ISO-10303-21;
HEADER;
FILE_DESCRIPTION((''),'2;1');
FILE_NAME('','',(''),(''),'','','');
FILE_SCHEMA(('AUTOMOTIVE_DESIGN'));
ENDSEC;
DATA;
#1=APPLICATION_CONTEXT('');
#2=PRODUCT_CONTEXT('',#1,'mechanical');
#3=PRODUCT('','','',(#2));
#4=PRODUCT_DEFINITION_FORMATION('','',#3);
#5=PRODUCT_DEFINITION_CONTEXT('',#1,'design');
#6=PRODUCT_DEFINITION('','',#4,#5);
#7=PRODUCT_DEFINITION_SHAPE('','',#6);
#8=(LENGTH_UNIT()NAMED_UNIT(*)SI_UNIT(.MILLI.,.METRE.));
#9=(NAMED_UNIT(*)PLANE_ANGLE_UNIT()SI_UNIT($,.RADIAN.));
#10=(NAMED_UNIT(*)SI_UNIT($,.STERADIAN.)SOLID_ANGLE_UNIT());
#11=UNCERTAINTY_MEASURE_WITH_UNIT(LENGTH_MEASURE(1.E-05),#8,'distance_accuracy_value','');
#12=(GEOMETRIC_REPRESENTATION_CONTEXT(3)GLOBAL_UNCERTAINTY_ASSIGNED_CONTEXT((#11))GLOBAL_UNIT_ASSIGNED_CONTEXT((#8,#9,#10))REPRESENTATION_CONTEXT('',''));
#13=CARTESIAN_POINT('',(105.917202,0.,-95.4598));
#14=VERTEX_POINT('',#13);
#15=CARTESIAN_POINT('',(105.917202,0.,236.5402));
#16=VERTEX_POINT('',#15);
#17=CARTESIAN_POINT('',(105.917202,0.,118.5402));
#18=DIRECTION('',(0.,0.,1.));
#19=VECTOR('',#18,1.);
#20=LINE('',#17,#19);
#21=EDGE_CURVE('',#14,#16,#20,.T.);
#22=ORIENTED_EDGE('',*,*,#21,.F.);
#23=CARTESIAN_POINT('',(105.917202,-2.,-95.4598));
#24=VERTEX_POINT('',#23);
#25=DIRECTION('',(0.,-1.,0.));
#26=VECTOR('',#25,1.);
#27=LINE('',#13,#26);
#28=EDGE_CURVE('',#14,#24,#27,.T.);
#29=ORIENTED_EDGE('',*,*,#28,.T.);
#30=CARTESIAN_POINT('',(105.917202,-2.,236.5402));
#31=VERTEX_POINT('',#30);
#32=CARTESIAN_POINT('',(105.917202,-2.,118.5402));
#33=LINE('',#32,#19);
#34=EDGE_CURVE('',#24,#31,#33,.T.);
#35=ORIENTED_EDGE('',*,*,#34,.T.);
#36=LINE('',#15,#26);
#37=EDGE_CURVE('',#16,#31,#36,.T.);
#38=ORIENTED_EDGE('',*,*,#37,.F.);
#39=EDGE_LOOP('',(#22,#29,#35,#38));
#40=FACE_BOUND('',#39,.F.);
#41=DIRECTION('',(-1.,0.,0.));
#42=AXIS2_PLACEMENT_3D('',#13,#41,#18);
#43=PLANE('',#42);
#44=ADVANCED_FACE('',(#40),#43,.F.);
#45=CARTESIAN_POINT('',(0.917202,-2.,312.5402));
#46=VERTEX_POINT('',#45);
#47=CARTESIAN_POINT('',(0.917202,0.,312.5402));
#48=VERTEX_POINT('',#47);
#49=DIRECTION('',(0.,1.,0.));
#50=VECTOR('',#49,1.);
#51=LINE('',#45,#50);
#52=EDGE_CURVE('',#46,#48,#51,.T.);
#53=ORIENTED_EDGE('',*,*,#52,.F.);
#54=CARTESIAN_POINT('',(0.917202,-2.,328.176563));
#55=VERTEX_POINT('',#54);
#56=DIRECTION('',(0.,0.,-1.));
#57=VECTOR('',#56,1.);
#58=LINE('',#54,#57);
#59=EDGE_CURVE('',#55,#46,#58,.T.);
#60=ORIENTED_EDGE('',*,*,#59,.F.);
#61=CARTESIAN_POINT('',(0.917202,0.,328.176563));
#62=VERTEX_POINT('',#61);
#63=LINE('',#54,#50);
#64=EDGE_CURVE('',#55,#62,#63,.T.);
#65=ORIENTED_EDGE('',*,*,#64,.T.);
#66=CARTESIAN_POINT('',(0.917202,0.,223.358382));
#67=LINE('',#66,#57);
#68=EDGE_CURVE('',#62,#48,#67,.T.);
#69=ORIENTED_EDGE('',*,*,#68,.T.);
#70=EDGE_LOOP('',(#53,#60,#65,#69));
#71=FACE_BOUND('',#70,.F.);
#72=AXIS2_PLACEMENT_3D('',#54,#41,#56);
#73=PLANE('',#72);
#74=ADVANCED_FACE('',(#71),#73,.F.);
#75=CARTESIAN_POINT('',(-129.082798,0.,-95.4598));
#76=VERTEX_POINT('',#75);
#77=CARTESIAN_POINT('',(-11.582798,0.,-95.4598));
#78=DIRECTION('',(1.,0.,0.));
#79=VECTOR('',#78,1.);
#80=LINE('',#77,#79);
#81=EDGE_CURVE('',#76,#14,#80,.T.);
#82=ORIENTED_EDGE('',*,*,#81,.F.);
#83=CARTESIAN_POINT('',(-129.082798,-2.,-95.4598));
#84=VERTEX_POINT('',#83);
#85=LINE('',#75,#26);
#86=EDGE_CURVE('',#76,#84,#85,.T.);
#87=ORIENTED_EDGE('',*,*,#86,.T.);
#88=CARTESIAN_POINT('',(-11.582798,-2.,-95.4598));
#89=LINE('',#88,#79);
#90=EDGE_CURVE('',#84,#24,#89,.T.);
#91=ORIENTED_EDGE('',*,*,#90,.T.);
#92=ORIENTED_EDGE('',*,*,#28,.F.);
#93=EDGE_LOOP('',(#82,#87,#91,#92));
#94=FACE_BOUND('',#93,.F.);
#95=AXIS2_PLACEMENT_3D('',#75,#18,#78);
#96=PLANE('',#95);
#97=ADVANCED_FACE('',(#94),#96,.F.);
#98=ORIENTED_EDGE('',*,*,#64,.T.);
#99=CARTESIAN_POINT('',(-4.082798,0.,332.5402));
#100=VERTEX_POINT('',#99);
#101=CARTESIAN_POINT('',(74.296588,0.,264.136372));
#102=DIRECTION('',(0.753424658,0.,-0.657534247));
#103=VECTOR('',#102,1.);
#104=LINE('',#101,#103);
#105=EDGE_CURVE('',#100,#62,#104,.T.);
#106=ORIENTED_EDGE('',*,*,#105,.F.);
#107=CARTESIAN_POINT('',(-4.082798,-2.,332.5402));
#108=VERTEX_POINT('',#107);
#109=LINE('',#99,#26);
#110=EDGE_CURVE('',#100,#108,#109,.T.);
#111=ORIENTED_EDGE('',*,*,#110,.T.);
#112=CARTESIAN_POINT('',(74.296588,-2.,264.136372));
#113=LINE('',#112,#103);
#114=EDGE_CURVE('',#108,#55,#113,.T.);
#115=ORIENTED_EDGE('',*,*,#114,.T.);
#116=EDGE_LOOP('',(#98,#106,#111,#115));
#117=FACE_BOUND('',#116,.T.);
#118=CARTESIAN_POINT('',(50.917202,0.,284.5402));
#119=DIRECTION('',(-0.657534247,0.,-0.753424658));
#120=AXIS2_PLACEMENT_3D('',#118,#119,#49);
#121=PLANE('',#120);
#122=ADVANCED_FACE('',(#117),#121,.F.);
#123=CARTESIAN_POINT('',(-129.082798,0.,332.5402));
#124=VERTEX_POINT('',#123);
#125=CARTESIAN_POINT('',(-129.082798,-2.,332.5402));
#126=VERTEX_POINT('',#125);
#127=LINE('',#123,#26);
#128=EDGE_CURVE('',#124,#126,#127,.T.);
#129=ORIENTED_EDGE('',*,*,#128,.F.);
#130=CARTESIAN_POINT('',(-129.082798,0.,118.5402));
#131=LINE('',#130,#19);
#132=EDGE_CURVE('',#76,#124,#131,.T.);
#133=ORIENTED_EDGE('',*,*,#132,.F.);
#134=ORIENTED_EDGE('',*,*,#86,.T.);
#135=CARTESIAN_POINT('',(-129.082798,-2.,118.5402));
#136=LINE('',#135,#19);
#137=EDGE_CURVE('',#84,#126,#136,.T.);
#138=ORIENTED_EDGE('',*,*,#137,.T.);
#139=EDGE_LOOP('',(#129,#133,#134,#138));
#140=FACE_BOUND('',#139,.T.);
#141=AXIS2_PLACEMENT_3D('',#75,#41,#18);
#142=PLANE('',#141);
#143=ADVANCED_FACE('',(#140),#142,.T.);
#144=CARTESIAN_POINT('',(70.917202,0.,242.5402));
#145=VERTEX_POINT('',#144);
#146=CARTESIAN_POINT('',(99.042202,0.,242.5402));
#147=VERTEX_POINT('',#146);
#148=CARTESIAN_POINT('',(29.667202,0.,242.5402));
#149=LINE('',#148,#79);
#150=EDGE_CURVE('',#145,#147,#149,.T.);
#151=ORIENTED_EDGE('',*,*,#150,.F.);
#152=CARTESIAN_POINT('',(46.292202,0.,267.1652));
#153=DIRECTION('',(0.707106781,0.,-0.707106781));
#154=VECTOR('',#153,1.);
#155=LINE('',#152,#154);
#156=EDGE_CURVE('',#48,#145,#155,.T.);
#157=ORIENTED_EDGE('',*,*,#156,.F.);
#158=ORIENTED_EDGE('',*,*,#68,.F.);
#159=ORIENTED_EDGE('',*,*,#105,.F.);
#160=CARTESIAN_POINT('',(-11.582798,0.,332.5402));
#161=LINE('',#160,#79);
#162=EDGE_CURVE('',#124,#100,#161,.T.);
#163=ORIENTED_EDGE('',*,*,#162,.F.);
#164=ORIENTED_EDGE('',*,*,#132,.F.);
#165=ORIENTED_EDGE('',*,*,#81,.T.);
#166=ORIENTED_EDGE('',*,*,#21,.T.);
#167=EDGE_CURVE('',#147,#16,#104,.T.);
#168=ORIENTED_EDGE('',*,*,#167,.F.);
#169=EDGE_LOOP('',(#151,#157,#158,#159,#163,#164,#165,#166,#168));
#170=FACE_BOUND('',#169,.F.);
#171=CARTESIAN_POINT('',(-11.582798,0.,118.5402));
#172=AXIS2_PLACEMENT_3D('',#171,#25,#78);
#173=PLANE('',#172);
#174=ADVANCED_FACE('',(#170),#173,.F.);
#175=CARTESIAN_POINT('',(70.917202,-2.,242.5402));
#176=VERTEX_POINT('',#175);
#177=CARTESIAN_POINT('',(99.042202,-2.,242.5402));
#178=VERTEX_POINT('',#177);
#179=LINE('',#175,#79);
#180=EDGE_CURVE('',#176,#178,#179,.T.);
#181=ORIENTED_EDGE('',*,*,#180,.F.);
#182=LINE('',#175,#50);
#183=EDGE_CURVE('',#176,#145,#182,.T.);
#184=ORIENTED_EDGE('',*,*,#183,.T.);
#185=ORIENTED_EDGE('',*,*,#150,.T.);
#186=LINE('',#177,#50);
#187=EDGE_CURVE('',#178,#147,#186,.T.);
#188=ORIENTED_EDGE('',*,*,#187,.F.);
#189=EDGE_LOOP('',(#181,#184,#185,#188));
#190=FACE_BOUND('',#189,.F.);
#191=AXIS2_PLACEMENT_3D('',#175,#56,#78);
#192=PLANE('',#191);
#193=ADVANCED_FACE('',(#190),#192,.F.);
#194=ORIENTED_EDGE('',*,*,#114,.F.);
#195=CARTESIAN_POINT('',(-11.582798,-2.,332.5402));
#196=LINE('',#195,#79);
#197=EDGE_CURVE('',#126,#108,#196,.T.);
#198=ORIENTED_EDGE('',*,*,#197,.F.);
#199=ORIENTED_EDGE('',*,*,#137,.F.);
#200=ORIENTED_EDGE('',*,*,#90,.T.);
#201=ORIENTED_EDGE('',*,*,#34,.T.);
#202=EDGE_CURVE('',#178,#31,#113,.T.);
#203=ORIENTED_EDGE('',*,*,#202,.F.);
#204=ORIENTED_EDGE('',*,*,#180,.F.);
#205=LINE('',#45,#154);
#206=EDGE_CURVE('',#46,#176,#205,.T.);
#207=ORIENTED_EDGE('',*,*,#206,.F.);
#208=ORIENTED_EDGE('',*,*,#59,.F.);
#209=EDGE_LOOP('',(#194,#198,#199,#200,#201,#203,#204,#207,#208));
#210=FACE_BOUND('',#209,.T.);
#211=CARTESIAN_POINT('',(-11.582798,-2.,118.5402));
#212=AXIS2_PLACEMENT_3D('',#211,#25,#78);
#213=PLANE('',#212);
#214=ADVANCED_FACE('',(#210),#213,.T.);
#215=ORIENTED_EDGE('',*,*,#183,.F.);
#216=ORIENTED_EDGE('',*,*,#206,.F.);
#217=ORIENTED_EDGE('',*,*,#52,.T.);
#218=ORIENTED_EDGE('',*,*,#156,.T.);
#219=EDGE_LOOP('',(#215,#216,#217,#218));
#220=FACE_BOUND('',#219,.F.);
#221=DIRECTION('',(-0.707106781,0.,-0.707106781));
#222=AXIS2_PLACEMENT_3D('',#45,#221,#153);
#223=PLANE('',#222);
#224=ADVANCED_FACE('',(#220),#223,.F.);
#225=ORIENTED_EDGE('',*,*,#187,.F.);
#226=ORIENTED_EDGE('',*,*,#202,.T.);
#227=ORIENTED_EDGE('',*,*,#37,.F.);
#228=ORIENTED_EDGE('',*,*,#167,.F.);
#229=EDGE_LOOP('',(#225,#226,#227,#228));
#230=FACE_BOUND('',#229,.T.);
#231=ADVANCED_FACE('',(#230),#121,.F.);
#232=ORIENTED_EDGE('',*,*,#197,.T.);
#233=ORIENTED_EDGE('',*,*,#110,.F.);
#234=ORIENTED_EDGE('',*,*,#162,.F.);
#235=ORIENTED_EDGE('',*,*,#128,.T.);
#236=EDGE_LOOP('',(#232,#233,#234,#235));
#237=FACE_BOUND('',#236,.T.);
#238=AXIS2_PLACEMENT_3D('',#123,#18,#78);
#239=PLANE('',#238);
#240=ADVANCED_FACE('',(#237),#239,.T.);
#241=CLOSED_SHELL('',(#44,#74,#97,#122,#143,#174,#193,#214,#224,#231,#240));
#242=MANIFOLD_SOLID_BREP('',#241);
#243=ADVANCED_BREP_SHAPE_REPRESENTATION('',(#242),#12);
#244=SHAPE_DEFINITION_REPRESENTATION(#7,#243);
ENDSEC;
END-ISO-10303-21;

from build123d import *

# Parameters (mm, degrees)
F0_W     = 235
F0_H     = 428
F1_DEPTH = 2
F2_SIZE2 = 96
F2_SIZE  = 110
F4_DEPTH = 25


with BuildPart() as f1:
    # F0 (on Front) → F1 (new body)
    with BuildSketch(Plane.XZ):
        with Locations((-11.5827983245, 118.5401997186)):
            Rectangle(F0_W, F0_H)
    extrude(amount=F1_DEPTH)

    # F2
    f2_edges = [f1.edges().sort_by_distance(p)[0] for p in [
        (105.917202, -1, 332.5402),
    ]]
    f2_side = f1.faces().sort_by_distance((-11.582798, -1, 332.5402))[0]
    chamfer(f2_edges, length=F2_SIZE, length2=F2_SIZE2, reference=f2_side)

    # F3 (on face) → F4 (cut)
    with BuildSketch(Plane.XZ.offset(2)):
        Polygon((99.0422016755, 242.5401997186), (0.9172016755, 328.176563355), (0.9172016755, 312.5401997186), (70.9172016755, 242.5401997186), align=None)
    extrude(amount=-F4_DEPTH, mode=Mode.SUBTRACT)


solid = f1.part
